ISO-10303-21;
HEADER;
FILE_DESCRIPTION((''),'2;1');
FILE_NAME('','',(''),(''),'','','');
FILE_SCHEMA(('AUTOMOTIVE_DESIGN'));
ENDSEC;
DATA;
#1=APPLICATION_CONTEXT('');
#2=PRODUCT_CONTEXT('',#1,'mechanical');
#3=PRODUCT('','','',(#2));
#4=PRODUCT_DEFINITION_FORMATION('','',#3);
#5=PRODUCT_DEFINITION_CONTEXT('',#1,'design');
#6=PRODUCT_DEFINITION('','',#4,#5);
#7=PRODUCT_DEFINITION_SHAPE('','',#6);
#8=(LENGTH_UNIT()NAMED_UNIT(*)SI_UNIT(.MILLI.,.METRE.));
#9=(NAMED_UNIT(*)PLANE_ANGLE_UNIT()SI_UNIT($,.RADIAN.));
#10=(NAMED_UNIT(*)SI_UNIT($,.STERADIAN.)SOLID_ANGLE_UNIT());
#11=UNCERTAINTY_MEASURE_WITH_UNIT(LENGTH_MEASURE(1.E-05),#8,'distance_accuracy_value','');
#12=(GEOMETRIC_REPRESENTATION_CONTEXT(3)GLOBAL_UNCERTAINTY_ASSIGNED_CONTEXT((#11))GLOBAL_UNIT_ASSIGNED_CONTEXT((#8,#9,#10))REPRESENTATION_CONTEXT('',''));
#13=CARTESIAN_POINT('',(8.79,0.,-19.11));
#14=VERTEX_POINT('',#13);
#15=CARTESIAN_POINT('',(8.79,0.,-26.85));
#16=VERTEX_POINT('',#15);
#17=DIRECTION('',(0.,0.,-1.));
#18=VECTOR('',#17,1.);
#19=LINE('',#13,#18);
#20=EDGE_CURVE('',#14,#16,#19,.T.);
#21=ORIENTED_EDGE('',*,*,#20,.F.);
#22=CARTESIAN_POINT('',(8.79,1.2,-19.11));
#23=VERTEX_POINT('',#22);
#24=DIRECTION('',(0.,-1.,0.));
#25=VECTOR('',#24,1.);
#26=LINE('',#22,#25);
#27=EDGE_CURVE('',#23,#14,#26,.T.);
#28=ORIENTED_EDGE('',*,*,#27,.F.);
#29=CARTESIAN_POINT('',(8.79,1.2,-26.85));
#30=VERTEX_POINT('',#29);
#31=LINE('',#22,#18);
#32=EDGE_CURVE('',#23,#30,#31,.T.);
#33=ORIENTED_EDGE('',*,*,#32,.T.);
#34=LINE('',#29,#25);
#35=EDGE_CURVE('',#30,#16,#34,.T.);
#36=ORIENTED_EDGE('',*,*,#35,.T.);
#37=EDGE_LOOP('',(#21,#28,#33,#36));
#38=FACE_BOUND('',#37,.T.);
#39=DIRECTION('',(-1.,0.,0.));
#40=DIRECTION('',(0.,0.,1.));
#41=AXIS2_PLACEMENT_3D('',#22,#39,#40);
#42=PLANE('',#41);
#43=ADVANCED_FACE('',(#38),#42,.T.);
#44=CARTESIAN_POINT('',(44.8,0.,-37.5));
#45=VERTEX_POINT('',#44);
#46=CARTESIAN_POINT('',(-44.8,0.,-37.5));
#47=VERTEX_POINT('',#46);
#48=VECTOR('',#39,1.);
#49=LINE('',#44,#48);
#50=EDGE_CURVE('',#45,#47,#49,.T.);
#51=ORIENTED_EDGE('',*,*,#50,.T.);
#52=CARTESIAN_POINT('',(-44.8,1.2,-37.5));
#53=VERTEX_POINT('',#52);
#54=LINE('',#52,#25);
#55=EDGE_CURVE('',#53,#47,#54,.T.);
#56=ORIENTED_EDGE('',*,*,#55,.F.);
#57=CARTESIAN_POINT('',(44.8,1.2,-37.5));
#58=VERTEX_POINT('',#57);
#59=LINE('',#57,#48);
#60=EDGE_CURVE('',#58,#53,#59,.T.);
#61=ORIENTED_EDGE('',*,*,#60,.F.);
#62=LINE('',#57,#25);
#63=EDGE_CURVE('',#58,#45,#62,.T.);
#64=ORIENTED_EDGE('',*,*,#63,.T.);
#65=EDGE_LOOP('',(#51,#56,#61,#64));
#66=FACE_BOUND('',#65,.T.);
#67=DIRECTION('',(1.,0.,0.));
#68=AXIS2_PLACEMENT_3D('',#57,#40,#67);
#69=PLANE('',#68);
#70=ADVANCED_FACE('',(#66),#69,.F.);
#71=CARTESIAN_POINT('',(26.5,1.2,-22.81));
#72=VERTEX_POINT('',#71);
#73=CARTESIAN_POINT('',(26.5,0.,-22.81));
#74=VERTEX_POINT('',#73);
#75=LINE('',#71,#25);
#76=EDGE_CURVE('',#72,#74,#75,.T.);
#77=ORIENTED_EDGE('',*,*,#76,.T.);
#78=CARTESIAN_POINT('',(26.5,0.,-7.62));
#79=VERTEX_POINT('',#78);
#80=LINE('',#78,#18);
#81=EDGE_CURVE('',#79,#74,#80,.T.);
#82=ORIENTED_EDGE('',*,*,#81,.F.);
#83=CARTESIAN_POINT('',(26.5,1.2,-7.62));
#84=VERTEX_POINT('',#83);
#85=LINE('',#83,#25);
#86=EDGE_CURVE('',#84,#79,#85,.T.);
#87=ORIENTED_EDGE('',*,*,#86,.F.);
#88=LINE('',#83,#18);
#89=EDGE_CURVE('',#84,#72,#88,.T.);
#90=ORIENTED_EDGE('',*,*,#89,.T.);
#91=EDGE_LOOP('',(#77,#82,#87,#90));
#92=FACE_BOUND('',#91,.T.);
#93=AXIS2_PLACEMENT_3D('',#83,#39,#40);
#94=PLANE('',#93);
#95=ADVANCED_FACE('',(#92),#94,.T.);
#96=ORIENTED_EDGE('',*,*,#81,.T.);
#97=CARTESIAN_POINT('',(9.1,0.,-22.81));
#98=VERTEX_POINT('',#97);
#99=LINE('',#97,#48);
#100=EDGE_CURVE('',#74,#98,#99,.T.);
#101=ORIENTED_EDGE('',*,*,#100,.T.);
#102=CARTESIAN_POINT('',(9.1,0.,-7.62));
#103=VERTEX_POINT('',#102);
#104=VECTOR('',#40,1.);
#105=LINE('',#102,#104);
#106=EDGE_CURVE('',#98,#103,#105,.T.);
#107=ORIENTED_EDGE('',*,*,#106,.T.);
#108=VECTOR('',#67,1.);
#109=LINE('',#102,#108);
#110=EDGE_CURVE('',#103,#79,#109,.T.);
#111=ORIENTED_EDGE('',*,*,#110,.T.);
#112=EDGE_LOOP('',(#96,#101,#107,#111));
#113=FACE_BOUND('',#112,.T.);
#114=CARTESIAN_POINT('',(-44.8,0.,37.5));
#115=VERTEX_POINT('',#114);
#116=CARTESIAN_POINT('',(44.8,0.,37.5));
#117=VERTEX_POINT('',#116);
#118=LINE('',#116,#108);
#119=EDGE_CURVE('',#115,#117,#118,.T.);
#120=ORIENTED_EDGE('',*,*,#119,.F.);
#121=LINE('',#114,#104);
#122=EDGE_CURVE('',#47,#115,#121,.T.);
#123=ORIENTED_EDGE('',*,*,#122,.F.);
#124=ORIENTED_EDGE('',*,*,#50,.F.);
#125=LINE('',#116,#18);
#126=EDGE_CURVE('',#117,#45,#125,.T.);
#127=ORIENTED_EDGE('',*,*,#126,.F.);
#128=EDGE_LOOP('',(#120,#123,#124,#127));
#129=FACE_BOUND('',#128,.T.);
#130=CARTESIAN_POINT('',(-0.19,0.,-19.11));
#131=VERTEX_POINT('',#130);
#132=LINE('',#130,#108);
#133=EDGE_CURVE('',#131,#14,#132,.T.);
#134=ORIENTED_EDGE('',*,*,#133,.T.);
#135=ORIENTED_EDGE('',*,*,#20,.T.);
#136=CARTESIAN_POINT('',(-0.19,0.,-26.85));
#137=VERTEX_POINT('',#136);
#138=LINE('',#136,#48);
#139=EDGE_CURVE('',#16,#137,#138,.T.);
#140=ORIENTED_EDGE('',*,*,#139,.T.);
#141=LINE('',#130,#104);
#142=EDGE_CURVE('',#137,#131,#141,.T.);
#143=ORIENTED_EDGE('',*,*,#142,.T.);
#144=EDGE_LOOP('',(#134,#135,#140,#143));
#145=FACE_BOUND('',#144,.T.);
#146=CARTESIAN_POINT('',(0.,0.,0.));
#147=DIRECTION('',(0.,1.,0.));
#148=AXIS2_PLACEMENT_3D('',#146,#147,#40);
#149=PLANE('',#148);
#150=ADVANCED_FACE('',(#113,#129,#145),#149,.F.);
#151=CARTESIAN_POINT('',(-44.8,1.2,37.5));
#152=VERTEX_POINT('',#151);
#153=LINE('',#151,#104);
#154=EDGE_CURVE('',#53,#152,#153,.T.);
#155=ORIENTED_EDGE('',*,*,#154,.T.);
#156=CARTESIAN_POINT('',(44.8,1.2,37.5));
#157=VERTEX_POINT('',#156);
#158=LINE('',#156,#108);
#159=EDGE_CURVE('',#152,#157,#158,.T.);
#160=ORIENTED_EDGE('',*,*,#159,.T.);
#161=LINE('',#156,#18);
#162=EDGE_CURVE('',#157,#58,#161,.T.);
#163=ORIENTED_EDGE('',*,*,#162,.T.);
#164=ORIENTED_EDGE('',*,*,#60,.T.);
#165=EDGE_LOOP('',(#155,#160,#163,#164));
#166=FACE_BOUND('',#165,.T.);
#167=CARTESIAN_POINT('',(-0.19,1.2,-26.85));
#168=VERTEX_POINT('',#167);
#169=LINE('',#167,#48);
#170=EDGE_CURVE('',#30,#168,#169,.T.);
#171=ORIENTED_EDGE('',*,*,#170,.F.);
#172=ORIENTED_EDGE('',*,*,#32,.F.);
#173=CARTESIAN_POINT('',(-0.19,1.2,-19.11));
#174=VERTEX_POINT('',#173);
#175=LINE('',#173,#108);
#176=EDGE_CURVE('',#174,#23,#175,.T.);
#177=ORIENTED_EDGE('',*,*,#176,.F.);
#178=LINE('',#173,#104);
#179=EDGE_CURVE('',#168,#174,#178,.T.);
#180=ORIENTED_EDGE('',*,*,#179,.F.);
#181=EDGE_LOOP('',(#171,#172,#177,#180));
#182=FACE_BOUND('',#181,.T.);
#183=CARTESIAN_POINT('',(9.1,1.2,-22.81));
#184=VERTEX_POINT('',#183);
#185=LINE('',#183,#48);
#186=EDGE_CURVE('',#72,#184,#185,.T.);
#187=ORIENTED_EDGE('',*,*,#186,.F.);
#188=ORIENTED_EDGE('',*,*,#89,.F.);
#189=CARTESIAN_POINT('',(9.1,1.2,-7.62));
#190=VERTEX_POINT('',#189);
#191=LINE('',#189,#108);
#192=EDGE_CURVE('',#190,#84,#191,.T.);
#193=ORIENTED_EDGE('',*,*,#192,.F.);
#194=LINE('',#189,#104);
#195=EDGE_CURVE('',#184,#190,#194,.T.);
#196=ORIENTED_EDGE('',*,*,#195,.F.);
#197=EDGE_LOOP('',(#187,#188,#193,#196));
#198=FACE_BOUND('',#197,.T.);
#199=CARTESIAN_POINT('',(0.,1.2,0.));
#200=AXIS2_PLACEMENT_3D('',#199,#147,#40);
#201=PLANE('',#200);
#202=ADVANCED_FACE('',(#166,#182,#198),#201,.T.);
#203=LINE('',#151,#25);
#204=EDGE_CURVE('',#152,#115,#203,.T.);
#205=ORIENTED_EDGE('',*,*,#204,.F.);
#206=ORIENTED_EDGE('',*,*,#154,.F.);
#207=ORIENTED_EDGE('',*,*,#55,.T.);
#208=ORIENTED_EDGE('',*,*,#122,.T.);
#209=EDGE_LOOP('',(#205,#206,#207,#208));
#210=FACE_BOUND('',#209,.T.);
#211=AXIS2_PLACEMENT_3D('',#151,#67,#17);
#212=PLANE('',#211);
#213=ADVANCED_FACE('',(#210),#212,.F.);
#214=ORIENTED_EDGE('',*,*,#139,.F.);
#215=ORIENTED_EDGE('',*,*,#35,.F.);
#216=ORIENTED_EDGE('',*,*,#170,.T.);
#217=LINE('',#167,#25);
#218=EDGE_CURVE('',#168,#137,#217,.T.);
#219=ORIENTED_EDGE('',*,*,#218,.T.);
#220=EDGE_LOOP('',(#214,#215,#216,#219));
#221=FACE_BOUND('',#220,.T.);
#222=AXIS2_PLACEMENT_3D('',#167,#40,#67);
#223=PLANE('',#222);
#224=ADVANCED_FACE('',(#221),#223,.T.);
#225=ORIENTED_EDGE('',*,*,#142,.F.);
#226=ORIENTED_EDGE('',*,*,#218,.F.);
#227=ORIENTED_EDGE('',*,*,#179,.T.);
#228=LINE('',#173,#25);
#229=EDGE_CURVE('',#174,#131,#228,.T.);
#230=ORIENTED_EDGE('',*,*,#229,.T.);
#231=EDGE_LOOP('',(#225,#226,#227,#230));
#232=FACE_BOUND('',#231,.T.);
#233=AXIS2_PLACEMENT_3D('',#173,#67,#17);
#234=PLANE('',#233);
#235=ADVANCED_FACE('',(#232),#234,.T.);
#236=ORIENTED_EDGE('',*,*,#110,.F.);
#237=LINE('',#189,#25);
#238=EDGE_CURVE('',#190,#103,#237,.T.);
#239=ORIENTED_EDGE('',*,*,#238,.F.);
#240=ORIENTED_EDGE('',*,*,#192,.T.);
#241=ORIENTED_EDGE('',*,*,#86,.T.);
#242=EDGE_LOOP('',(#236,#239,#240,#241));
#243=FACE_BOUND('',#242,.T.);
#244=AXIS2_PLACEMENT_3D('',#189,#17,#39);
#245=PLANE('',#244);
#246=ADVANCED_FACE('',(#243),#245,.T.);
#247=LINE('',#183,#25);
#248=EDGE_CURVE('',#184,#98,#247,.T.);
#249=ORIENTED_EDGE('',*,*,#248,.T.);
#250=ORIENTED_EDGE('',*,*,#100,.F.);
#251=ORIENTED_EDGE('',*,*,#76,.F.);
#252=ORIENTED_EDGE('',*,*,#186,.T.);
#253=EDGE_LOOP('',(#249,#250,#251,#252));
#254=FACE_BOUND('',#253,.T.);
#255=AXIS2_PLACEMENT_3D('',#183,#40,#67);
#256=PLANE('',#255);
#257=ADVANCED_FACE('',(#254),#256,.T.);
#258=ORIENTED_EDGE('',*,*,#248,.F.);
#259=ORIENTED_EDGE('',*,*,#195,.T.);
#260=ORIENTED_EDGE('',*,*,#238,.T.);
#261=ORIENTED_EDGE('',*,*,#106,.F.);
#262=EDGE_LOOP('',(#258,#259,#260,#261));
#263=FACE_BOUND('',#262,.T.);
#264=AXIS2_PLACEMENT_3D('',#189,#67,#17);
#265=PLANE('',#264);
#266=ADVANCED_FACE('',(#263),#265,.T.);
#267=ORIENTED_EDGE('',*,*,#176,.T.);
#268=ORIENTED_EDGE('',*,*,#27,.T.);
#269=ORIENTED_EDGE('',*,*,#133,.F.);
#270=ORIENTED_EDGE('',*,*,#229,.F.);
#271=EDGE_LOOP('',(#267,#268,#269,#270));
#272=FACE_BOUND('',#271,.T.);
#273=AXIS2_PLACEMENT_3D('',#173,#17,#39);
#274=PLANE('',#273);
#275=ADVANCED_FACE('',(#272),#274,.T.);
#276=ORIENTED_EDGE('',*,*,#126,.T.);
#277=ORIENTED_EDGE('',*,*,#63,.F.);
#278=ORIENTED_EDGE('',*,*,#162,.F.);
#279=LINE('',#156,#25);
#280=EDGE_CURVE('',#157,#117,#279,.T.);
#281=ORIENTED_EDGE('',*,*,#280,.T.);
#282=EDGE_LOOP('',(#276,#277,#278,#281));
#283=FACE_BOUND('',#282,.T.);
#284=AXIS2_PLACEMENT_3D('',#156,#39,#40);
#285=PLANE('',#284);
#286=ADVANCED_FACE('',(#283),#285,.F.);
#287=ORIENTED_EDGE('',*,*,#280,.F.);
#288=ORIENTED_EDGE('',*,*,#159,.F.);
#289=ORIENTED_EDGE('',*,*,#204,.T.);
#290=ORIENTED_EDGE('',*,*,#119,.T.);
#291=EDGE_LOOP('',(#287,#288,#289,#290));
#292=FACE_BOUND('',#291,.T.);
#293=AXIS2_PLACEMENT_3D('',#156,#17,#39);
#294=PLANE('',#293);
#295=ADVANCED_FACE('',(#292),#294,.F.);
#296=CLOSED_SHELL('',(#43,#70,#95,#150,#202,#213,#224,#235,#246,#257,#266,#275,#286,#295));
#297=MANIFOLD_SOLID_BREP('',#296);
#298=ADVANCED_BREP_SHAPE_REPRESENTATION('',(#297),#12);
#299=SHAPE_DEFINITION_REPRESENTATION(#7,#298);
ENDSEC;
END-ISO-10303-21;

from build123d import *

# Parameters (mm, degrees)
SKETCH1_W           = 89.6
SKETCH1_H           = 75
SKETCH1_W_2         = 17.4
SKETCH1_H_2         = 15.19
SKETCH1_W_3         = 8.98
SKETCH1_H_3         = 7.74
BOSS_EXTRUDE1_DEPTH = 1.2


with BuildPart() as part:
    # Sketch1 → Boss-Extrude1 (new body)
    with BuildSketch(Plane(origin=(0, 0, 0), x_dir=(1, 0, 0), z_dir=(0, 1, 0))):
        Rectangle(SKETCH1_W, SKETCH1_H)
        with Locations((17.8, 15.215)):
            Rectangle(SKETCH1_W_2, SKETCH1_H_2, mode=Mode.SUBTRACT)
        with Locations((4.3, 22.98)):
            Rectangle(SKETCH1_W_3, SKETCH1_H_3, mode=Mode.SUBTRACT)
    extrude(amount=BOSS_EXTRUDE1_DEPTH)


solid = part.part
